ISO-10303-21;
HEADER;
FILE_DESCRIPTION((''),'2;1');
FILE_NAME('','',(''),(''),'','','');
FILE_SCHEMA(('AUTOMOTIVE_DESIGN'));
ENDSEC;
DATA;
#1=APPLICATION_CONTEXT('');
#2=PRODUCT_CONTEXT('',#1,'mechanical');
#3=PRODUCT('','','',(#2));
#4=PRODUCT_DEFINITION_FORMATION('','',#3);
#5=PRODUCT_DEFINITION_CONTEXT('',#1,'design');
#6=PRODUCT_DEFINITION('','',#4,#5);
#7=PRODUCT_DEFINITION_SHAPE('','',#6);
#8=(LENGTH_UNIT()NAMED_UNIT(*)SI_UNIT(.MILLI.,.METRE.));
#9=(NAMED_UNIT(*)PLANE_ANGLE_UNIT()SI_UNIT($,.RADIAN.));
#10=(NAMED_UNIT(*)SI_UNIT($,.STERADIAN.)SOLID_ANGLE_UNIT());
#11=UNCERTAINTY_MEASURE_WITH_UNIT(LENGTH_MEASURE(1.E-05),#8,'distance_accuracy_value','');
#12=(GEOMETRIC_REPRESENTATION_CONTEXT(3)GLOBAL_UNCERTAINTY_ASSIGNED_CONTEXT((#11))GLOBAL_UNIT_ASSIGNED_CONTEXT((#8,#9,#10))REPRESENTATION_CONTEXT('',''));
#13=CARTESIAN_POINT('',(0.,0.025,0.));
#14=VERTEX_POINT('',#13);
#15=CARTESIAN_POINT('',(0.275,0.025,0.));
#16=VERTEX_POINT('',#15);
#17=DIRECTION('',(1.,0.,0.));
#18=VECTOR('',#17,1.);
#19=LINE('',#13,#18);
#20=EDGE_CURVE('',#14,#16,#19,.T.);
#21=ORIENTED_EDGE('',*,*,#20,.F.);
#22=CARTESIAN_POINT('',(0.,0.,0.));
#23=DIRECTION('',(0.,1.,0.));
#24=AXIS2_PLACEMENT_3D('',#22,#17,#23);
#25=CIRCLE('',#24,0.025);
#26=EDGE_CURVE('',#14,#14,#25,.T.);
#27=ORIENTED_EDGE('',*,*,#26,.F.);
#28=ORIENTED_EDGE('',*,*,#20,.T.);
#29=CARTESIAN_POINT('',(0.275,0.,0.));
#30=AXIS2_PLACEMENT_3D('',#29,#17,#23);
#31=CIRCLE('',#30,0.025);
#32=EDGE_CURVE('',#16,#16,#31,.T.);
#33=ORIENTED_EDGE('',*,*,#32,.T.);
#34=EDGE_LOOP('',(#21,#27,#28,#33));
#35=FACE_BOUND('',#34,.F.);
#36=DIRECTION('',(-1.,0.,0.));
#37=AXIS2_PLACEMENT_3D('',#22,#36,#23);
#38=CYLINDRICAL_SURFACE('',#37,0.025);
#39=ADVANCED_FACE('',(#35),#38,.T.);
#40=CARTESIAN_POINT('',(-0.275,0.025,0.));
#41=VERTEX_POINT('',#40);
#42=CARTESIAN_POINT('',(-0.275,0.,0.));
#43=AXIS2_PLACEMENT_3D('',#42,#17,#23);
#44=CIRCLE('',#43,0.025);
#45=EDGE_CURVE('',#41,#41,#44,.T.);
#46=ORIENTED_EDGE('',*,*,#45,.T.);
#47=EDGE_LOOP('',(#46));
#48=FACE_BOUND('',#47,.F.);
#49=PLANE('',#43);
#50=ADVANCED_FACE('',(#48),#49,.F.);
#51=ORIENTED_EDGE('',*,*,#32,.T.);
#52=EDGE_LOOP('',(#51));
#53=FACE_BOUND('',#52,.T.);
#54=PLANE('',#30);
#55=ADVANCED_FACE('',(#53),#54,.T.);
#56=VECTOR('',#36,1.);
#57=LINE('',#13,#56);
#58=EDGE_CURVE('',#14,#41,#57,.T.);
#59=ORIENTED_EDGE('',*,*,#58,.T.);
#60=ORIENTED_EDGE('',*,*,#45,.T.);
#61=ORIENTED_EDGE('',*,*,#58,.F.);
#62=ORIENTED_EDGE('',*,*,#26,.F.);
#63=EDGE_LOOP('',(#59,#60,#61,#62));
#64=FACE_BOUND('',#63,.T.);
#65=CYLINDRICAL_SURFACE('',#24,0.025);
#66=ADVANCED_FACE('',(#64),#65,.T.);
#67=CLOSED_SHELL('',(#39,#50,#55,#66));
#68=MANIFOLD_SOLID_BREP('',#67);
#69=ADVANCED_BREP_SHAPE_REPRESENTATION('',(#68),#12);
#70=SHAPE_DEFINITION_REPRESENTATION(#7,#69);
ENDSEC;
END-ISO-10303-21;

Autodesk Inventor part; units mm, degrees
ref_plane "YZ Plane" through (0, 0, 0) normal (1, 0, 0) x (0, 1, 0)
ref_plane "XZ Plane" through (0, 0, 0) normal (0, 1, 0) x (-1, 0, 0)
ref_plane "XY Plane" through (0, 0, 0) normal (0, 0, 1) x (1, 0, 0)
sketch "Sketch1" plane through (0, 0, 0) normal (1, 0, 0) x (0, 1, 0)
  circle A0 centre (0, 0) radius 0.025
  dimension "d0" = 0.05
extrude "Extrusion1" add sketch "Sketch1" along normal mid plane 0.55
properties part number "Bone12_4Fix"
